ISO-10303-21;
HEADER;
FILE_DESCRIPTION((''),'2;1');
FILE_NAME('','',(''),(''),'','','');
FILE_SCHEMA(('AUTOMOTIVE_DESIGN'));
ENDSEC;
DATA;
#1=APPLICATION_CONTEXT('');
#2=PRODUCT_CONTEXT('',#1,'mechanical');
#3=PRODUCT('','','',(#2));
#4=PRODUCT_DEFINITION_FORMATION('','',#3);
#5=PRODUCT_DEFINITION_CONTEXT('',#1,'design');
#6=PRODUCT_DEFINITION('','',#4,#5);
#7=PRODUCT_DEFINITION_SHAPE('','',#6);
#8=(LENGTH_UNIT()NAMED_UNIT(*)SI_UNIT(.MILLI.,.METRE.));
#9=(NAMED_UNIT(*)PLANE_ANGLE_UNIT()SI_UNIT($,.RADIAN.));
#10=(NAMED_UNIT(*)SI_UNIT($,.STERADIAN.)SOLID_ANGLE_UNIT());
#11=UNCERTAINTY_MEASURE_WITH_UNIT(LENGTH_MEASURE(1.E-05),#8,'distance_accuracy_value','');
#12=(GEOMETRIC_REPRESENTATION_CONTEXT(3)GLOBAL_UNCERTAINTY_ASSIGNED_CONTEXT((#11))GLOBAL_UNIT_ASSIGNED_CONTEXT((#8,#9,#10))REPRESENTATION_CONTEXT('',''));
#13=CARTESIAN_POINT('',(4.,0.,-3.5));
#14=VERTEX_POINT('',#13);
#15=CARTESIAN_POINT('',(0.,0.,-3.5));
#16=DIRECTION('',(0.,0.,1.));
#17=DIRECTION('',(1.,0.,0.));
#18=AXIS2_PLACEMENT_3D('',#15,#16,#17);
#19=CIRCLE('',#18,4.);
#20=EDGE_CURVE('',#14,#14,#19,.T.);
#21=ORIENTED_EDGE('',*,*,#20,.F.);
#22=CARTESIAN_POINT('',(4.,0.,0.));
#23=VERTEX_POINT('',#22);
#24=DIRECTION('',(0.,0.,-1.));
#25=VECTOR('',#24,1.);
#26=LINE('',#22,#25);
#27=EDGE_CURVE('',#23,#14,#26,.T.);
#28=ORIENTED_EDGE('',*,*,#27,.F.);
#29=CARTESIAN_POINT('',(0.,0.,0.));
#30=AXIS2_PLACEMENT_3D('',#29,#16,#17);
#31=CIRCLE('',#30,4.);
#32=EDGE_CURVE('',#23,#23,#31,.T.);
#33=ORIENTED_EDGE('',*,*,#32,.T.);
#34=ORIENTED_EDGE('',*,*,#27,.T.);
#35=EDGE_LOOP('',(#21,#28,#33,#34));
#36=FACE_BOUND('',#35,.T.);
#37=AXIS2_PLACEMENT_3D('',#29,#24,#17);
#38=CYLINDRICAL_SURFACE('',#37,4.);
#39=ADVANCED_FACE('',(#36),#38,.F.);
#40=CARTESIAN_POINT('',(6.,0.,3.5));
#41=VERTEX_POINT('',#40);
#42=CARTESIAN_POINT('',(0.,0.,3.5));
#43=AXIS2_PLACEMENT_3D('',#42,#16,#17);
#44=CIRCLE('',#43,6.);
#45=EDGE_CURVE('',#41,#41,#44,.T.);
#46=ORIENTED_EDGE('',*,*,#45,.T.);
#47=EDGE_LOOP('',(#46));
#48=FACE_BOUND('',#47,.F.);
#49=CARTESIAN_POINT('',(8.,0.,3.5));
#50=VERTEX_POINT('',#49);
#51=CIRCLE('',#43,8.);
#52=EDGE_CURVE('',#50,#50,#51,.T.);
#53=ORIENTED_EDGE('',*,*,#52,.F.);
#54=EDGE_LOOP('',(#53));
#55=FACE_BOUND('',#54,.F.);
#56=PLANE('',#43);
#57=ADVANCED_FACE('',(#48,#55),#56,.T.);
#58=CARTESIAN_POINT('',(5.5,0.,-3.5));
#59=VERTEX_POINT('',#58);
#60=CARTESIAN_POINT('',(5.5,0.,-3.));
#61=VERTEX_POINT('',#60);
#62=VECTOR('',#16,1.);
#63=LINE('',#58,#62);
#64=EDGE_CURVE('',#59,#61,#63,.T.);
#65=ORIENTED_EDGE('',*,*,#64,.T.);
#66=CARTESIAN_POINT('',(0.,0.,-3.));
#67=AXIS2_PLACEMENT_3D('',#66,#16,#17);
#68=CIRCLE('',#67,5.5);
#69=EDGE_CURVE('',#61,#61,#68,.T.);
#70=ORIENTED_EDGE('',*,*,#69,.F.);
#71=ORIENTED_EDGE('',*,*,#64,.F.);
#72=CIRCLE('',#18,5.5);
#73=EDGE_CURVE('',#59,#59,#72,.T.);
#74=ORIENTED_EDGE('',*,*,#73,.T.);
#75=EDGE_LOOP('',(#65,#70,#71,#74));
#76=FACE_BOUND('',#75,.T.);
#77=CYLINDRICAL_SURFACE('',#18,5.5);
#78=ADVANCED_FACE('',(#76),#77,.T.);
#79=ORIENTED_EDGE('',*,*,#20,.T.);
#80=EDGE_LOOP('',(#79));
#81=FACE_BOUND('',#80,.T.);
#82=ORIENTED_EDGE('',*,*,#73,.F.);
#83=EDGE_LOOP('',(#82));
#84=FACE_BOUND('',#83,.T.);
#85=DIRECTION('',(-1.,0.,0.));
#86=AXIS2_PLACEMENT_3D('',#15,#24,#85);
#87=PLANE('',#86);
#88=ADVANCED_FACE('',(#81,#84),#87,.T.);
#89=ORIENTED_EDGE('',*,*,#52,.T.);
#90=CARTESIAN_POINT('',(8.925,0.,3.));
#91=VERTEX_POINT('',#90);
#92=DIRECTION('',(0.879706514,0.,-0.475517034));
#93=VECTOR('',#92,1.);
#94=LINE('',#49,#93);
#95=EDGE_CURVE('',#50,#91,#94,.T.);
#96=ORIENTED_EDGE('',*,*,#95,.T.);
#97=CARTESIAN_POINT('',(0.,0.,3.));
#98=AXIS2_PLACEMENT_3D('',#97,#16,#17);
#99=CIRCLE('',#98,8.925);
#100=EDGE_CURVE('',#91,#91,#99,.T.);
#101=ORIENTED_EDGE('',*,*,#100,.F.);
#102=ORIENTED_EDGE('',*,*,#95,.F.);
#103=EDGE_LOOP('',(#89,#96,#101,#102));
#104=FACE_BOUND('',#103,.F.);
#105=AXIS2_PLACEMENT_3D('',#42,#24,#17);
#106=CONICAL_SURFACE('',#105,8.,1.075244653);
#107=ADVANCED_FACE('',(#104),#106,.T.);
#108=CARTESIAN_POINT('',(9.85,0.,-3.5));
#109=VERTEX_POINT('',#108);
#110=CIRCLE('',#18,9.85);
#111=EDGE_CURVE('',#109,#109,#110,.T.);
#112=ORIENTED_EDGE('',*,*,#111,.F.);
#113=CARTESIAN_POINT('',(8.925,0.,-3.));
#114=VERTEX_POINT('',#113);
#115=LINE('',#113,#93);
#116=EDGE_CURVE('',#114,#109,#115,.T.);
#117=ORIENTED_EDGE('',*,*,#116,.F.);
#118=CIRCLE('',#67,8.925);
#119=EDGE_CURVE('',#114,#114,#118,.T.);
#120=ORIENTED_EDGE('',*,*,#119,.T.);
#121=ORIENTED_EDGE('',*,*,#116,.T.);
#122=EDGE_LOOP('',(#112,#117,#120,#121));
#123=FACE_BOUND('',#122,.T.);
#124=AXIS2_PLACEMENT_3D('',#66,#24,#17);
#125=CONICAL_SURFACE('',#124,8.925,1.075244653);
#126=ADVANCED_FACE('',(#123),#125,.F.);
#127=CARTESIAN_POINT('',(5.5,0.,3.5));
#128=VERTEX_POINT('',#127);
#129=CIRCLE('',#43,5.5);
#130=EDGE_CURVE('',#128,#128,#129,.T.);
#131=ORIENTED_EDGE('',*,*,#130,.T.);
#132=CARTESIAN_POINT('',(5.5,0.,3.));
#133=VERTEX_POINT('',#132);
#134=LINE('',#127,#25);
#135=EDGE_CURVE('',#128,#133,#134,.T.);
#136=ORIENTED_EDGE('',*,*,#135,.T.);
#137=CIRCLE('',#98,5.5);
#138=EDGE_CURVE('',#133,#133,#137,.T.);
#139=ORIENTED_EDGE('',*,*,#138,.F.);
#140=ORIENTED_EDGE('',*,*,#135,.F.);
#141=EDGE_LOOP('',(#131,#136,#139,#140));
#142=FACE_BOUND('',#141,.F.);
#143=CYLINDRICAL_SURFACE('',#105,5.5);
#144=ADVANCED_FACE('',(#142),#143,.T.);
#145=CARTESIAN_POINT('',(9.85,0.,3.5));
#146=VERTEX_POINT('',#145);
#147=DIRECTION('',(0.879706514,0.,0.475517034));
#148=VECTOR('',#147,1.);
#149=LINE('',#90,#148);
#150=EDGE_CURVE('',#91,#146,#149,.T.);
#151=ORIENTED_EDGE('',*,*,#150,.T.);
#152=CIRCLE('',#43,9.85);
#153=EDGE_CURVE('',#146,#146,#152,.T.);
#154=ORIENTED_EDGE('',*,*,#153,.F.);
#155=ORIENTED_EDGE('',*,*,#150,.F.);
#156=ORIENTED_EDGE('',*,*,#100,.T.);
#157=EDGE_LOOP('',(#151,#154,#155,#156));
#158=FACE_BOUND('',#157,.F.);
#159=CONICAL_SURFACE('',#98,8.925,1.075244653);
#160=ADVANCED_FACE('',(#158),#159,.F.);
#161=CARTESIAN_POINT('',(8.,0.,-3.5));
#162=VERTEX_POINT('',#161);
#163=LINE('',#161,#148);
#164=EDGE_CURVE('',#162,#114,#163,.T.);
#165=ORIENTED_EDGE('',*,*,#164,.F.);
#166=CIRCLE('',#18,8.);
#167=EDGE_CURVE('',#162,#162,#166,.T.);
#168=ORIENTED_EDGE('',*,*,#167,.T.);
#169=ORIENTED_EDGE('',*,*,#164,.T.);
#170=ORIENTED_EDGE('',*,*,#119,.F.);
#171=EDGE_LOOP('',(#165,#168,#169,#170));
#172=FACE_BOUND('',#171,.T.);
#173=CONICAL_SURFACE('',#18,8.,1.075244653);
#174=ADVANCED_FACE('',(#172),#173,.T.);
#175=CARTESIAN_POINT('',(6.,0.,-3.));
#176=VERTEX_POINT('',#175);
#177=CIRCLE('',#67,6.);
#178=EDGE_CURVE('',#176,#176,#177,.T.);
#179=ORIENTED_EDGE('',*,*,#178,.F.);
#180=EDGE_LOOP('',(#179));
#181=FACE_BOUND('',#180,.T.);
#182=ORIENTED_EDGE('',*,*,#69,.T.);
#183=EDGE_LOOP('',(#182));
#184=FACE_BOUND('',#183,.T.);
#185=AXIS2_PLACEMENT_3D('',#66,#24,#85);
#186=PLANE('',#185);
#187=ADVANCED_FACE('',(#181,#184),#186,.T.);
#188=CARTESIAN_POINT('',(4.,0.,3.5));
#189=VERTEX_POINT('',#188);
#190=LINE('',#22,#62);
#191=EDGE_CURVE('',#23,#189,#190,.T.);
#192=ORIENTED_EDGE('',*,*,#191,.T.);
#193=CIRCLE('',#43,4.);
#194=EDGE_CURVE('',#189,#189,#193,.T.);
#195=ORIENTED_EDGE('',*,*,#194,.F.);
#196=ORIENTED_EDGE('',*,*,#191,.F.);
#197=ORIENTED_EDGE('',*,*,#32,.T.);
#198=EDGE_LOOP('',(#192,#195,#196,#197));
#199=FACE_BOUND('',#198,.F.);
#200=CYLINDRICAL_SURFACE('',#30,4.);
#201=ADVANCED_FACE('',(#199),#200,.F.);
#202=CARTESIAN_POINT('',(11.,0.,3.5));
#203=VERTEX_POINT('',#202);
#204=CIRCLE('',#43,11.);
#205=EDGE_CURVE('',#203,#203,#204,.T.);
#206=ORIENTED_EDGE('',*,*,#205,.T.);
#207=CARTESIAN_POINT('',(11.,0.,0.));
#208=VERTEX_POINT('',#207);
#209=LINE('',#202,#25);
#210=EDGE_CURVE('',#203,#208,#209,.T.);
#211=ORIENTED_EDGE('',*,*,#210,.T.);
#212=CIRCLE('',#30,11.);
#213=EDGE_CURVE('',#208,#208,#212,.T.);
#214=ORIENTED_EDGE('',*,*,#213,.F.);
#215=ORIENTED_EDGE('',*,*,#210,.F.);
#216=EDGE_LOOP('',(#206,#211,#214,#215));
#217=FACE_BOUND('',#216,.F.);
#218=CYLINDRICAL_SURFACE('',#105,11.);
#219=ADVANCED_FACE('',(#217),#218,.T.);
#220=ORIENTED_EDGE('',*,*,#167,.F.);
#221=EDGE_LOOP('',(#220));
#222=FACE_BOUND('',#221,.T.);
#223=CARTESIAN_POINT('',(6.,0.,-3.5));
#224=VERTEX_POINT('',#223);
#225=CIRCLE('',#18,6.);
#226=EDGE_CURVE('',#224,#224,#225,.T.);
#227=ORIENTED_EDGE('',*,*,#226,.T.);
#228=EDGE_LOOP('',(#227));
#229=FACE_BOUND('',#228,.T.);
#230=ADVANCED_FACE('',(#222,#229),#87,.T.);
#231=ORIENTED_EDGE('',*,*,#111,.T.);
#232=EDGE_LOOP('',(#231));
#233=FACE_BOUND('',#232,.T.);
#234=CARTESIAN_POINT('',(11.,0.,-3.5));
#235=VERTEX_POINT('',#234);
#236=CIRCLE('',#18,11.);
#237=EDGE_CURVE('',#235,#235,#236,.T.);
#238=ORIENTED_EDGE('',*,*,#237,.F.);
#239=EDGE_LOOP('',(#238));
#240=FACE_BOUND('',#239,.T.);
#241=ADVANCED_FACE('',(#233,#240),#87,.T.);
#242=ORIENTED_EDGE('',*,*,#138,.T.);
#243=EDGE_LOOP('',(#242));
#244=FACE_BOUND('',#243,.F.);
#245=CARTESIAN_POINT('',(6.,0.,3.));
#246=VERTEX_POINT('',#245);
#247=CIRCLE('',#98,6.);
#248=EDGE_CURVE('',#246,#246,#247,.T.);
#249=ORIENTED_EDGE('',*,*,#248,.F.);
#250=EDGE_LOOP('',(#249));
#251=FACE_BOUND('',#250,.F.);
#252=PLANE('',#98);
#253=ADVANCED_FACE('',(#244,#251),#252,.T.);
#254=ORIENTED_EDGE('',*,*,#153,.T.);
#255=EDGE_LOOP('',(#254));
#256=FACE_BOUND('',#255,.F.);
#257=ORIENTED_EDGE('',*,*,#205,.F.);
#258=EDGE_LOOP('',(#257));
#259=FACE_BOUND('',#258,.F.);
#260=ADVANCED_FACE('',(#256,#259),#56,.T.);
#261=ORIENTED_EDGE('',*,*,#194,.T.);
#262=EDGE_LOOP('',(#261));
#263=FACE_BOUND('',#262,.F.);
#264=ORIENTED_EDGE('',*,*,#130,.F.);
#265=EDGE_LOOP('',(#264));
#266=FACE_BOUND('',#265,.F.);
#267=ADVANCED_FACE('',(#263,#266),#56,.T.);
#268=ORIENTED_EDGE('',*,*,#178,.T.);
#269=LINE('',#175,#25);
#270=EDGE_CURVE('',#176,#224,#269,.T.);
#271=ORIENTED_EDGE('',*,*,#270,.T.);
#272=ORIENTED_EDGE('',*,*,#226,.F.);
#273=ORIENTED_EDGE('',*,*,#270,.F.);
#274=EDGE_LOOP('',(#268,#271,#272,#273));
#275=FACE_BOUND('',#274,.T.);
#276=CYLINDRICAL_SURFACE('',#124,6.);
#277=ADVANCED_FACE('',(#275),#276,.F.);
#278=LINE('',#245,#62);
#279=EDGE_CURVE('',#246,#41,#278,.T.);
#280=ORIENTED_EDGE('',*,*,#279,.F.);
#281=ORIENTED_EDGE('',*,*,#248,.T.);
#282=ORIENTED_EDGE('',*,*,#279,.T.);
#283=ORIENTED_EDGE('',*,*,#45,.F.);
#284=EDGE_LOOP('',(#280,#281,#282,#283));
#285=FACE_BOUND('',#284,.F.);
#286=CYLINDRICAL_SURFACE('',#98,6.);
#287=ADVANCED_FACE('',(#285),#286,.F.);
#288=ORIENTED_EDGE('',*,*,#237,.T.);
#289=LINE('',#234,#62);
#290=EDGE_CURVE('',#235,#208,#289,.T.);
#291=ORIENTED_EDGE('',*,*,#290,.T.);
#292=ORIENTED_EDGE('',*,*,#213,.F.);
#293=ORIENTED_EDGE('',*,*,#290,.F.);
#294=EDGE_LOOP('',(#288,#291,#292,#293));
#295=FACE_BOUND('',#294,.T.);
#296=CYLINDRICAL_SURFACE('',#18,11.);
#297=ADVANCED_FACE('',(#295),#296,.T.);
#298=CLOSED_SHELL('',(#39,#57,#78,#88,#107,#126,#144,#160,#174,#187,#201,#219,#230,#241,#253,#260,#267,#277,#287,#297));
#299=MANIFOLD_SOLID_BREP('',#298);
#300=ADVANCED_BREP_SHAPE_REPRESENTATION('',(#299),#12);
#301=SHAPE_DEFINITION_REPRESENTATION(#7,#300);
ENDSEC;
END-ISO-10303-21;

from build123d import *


with BuildPart() as part:
    # Sketch → Revolution (revolve)
    with BuildSketch(Plane.XZ):
        Polygon((4, 0), (4, 3.5), (5.5, 3.5), (5.5, 3), (6, 3), (6, 3.5), (8, 3.5), (8.925, 3), (9.85, 3.5), (11, 3.5), (11, 0), align=None)
    revolution = revolve(axis=Axis((0, 0, 0), (0, 0, 1)))

    # Mirrored: Revolution across XY
    add(revolution.mirror(Plane.XY))


solid = part.part
